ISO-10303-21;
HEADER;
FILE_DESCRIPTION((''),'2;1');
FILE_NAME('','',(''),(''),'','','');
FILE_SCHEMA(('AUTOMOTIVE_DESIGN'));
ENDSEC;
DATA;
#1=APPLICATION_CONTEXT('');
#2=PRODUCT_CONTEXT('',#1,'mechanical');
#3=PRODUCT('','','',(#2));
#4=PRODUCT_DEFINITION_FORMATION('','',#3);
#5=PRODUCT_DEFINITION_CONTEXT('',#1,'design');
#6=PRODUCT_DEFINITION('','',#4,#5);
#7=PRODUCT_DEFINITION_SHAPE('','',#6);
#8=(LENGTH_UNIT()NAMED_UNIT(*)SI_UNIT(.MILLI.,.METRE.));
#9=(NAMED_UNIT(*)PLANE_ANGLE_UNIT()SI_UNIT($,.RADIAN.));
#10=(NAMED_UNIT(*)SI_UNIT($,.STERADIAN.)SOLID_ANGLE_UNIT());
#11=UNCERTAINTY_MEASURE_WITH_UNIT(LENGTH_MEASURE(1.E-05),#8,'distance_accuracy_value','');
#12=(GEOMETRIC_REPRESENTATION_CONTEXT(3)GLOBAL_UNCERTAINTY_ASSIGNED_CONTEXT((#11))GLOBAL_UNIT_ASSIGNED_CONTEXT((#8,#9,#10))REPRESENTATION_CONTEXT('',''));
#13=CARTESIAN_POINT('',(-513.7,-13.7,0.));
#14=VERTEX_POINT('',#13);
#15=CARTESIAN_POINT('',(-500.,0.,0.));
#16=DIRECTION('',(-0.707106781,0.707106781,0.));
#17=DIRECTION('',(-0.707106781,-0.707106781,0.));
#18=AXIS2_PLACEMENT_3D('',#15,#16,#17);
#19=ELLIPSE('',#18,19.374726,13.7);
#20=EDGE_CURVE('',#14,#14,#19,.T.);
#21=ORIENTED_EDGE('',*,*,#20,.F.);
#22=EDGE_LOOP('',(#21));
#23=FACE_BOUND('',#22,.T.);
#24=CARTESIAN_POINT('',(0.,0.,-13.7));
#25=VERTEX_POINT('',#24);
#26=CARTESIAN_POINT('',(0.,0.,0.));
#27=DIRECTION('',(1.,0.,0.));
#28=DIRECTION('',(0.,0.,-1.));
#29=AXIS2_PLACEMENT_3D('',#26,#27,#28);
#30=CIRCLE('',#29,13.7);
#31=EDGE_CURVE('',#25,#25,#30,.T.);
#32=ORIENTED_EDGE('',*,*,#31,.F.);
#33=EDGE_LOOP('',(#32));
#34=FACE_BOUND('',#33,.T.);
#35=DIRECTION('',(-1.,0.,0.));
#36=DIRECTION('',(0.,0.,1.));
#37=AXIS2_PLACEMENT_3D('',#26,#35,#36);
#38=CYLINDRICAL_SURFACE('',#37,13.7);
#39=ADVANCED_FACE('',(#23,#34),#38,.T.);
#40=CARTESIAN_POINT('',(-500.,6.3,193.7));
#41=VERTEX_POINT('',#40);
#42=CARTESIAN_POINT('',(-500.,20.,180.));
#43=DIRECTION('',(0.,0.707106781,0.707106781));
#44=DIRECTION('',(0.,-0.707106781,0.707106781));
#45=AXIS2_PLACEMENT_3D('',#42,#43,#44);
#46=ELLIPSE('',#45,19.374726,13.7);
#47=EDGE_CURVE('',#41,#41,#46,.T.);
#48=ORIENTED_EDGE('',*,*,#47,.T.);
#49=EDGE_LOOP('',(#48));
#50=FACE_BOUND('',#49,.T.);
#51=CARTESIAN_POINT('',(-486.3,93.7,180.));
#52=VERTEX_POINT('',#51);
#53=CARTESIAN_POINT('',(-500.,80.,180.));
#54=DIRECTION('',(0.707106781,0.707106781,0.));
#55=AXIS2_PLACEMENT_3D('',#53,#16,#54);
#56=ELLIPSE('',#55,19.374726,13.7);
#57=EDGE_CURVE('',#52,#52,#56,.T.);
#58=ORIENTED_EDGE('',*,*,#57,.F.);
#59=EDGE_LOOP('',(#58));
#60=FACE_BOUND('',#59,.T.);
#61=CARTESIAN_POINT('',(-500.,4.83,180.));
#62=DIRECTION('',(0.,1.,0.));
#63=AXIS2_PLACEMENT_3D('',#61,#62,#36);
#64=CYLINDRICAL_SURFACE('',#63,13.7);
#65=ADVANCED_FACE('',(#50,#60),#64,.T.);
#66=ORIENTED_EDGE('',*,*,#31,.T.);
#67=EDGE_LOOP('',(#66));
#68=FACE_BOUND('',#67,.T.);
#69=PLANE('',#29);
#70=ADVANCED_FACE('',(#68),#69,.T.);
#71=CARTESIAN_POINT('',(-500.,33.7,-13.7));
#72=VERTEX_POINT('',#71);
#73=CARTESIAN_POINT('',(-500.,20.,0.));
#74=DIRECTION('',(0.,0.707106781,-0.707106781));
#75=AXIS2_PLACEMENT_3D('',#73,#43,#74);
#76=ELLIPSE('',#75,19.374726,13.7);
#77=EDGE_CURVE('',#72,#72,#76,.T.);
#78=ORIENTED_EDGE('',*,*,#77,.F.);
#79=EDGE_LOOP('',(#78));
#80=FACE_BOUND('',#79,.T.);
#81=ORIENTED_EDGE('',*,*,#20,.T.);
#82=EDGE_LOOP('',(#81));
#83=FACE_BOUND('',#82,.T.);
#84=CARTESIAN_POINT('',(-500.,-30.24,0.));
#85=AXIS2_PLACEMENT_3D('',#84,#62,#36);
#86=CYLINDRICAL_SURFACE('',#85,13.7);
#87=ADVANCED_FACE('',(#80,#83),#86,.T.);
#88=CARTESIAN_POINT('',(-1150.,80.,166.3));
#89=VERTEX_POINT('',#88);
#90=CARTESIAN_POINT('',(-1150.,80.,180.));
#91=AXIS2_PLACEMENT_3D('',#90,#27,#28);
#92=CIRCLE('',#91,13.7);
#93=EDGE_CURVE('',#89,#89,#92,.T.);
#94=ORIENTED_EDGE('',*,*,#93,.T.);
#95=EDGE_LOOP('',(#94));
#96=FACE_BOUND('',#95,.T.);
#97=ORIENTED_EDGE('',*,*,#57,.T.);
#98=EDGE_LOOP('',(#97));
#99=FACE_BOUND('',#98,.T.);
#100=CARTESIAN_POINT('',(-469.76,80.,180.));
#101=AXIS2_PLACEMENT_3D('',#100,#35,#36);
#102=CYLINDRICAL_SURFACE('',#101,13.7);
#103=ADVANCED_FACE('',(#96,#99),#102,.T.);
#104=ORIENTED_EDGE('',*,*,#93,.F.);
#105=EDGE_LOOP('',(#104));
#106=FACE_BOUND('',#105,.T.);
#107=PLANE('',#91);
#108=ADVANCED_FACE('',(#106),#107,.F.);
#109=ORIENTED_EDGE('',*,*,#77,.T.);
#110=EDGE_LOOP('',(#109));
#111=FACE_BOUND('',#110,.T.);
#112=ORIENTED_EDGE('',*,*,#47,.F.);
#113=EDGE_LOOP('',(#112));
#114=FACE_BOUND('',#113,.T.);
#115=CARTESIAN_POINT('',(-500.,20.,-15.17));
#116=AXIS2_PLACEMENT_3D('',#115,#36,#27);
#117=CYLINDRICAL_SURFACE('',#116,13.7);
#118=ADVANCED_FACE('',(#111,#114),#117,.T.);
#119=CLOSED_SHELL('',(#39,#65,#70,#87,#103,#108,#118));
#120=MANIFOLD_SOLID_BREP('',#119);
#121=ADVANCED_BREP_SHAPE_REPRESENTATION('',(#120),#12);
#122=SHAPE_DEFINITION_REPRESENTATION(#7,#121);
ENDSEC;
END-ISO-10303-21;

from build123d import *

# Parameters (mm, degrees)
CROQUIS1_R = 13.7


with BuildPart() as part:
    # Barrer1: sweep along a curve in space
    with BuildLine() as barrer1_path:
        Line((0, 0, 0), (-500, 0, 0))
        Line((-500, 0, 0), (-500, 20, 0))
        Line((-500, 20, 0), (-500, 20, 180))
        Line((-500, 20, 180), (-500, 80, 180))
        Line((-500, 80, 180), (-1150, 80, 180))
    # Croquis1 → Barrer1 (sweep)
    with BuildSketch(Plane(origin=(0, 0, 0), x_dir=(0, 0, -1), z_dir=(1, 0, 0))):
        Circle(CROQUIS1_R)
    sweep(path=barrer1_path.line, transition=Transition.RIGHT)


solid = part.part
